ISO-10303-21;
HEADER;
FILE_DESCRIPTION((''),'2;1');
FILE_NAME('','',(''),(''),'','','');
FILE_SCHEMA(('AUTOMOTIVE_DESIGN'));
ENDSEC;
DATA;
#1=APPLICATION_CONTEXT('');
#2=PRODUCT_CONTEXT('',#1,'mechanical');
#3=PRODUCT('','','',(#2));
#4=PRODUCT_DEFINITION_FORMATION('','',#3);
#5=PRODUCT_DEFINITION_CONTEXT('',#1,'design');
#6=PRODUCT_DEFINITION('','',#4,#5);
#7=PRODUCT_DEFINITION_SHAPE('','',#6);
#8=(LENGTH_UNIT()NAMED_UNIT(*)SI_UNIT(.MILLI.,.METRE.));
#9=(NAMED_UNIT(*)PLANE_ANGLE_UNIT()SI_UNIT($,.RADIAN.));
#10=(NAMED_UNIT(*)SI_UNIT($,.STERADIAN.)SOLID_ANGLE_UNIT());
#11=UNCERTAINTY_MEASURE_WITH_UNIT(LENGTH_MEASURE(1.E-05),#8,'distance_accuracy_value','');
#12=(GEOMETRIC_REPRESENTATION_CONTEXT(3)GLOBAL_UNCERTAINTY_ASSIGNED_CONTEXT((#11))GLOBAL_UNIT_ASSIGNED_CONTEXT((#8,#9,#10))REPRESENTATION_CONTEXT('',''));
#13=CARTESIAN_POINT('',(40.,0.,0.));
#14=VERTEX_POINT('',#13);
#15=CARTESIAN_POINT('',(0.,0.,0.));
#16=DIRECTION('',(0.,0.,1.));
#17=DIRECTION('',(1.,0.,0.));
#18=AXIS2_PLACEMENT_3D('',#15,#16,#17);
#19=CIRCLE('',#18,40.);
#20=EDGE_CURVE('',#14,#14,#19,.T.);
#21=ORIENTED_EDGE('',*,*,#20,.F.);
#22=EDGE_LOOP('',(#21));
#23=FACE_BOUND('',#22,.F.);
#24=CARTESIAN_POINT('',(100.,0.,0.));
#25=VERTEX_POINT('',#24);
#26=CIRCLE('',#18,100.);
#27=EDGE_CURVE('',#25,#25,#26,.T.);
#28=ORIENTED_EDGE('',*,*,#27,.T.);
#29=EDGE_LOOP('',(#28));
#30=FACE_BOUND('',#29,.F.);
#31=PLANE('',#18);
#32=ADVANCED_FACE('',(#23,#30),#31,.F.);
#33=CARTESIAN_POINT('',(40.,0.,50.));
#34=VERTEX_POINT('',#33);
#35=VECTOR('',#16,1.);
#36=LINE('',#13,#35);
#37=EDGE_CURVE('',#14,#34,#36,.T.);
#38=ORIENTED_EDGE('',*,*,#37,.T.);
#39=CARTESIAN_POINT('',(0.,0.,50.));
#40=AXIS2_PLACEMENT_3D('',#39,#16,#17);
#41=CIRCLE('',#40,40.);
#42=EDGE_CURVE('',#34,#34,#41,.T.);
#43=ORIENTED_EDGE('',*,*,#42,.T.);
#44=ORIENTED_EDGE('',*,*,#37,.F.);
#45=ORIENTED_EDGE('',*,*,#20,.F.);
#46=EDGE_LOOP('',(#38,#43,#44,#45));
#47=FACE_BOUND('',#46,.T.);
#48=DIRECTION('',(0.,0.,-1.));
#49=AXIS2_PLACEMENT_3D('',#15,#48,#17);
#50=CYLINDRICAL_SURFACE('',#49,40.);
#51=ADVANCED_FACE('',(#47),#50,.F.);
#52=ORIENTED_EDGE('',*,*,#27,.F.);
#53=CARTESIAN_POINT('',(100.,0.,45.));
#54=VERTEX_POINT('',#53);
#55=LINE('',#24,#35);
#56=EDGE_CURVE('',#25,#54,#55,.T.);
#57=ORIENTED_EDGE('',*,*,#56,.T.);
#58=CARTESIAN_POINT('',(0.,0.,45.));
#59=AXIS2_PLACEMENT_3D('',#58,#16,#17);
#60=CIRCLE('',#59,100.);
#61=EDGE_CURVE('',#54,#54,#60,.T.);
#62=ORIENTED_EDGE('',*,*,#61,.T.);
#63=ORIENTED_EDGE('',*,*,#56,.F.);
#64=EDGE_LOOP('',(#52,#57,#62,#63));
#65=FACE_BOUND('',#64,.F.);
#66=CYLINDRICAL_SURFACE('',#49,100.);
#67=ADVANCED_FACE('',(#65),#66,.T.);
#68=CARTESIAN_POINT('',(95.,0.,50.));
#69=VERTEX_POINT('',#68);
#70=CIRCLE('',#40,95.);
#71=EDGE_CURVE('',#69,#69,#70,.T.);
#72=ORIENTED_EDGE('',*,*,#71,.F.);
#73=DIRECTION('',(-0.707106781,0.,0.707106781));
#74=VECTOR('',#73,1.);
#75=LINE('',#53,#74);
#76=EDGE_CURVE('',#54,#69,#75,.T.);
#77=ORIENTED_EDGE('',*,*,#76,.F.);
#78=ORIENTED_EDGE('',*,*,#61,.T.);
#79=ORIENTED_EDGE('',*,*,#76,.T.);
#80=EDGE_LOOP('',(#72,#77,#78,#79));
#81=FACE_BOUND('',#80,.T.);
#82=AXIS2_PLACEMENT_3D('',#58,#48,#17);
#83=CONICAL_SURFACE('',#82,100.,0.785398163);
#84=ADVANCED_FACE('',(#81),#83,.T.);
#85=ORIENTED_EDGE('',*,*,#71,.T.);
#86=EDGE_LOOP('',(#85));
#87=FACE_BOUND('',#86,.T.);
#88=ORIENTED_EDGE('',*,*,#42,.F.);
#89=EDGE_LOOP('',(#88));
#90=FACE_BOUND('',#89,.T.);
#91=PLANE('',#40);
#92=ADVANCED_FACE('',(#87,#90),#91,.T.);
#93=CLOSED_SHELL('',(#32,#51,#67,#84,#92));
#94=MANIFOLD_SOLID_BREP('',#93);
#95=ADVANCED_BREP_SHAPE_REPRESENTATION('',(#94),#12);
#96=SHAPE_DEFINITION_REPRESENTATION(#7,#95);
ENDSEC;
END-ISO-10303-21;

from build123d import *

# Parameters (mm, degrees)
SKETCH_R     = 100
SKETCH_R_2   = 40
PAD_DEPTH    = 50
CHAMFER_SIZE = 5


with BuildPart() as part:
    # Sketch → Pad (new body)
    with BuildSketch(Plane.XY):
        Circle(SKETCH_R)
        Circle(SKETCH_R_2, mode=Mode.SUBTRACT)
    extrude(amount=PAD_DEPTH)

    # Chamfer
    chamfer_edges = [part.edges().sort_by_distance(p)[0] for p in [
        (-100, 0, 50),
    ]]
    chamfer(chamfer_edges, length=CHAMFER_SIZE)


solid = part.part
